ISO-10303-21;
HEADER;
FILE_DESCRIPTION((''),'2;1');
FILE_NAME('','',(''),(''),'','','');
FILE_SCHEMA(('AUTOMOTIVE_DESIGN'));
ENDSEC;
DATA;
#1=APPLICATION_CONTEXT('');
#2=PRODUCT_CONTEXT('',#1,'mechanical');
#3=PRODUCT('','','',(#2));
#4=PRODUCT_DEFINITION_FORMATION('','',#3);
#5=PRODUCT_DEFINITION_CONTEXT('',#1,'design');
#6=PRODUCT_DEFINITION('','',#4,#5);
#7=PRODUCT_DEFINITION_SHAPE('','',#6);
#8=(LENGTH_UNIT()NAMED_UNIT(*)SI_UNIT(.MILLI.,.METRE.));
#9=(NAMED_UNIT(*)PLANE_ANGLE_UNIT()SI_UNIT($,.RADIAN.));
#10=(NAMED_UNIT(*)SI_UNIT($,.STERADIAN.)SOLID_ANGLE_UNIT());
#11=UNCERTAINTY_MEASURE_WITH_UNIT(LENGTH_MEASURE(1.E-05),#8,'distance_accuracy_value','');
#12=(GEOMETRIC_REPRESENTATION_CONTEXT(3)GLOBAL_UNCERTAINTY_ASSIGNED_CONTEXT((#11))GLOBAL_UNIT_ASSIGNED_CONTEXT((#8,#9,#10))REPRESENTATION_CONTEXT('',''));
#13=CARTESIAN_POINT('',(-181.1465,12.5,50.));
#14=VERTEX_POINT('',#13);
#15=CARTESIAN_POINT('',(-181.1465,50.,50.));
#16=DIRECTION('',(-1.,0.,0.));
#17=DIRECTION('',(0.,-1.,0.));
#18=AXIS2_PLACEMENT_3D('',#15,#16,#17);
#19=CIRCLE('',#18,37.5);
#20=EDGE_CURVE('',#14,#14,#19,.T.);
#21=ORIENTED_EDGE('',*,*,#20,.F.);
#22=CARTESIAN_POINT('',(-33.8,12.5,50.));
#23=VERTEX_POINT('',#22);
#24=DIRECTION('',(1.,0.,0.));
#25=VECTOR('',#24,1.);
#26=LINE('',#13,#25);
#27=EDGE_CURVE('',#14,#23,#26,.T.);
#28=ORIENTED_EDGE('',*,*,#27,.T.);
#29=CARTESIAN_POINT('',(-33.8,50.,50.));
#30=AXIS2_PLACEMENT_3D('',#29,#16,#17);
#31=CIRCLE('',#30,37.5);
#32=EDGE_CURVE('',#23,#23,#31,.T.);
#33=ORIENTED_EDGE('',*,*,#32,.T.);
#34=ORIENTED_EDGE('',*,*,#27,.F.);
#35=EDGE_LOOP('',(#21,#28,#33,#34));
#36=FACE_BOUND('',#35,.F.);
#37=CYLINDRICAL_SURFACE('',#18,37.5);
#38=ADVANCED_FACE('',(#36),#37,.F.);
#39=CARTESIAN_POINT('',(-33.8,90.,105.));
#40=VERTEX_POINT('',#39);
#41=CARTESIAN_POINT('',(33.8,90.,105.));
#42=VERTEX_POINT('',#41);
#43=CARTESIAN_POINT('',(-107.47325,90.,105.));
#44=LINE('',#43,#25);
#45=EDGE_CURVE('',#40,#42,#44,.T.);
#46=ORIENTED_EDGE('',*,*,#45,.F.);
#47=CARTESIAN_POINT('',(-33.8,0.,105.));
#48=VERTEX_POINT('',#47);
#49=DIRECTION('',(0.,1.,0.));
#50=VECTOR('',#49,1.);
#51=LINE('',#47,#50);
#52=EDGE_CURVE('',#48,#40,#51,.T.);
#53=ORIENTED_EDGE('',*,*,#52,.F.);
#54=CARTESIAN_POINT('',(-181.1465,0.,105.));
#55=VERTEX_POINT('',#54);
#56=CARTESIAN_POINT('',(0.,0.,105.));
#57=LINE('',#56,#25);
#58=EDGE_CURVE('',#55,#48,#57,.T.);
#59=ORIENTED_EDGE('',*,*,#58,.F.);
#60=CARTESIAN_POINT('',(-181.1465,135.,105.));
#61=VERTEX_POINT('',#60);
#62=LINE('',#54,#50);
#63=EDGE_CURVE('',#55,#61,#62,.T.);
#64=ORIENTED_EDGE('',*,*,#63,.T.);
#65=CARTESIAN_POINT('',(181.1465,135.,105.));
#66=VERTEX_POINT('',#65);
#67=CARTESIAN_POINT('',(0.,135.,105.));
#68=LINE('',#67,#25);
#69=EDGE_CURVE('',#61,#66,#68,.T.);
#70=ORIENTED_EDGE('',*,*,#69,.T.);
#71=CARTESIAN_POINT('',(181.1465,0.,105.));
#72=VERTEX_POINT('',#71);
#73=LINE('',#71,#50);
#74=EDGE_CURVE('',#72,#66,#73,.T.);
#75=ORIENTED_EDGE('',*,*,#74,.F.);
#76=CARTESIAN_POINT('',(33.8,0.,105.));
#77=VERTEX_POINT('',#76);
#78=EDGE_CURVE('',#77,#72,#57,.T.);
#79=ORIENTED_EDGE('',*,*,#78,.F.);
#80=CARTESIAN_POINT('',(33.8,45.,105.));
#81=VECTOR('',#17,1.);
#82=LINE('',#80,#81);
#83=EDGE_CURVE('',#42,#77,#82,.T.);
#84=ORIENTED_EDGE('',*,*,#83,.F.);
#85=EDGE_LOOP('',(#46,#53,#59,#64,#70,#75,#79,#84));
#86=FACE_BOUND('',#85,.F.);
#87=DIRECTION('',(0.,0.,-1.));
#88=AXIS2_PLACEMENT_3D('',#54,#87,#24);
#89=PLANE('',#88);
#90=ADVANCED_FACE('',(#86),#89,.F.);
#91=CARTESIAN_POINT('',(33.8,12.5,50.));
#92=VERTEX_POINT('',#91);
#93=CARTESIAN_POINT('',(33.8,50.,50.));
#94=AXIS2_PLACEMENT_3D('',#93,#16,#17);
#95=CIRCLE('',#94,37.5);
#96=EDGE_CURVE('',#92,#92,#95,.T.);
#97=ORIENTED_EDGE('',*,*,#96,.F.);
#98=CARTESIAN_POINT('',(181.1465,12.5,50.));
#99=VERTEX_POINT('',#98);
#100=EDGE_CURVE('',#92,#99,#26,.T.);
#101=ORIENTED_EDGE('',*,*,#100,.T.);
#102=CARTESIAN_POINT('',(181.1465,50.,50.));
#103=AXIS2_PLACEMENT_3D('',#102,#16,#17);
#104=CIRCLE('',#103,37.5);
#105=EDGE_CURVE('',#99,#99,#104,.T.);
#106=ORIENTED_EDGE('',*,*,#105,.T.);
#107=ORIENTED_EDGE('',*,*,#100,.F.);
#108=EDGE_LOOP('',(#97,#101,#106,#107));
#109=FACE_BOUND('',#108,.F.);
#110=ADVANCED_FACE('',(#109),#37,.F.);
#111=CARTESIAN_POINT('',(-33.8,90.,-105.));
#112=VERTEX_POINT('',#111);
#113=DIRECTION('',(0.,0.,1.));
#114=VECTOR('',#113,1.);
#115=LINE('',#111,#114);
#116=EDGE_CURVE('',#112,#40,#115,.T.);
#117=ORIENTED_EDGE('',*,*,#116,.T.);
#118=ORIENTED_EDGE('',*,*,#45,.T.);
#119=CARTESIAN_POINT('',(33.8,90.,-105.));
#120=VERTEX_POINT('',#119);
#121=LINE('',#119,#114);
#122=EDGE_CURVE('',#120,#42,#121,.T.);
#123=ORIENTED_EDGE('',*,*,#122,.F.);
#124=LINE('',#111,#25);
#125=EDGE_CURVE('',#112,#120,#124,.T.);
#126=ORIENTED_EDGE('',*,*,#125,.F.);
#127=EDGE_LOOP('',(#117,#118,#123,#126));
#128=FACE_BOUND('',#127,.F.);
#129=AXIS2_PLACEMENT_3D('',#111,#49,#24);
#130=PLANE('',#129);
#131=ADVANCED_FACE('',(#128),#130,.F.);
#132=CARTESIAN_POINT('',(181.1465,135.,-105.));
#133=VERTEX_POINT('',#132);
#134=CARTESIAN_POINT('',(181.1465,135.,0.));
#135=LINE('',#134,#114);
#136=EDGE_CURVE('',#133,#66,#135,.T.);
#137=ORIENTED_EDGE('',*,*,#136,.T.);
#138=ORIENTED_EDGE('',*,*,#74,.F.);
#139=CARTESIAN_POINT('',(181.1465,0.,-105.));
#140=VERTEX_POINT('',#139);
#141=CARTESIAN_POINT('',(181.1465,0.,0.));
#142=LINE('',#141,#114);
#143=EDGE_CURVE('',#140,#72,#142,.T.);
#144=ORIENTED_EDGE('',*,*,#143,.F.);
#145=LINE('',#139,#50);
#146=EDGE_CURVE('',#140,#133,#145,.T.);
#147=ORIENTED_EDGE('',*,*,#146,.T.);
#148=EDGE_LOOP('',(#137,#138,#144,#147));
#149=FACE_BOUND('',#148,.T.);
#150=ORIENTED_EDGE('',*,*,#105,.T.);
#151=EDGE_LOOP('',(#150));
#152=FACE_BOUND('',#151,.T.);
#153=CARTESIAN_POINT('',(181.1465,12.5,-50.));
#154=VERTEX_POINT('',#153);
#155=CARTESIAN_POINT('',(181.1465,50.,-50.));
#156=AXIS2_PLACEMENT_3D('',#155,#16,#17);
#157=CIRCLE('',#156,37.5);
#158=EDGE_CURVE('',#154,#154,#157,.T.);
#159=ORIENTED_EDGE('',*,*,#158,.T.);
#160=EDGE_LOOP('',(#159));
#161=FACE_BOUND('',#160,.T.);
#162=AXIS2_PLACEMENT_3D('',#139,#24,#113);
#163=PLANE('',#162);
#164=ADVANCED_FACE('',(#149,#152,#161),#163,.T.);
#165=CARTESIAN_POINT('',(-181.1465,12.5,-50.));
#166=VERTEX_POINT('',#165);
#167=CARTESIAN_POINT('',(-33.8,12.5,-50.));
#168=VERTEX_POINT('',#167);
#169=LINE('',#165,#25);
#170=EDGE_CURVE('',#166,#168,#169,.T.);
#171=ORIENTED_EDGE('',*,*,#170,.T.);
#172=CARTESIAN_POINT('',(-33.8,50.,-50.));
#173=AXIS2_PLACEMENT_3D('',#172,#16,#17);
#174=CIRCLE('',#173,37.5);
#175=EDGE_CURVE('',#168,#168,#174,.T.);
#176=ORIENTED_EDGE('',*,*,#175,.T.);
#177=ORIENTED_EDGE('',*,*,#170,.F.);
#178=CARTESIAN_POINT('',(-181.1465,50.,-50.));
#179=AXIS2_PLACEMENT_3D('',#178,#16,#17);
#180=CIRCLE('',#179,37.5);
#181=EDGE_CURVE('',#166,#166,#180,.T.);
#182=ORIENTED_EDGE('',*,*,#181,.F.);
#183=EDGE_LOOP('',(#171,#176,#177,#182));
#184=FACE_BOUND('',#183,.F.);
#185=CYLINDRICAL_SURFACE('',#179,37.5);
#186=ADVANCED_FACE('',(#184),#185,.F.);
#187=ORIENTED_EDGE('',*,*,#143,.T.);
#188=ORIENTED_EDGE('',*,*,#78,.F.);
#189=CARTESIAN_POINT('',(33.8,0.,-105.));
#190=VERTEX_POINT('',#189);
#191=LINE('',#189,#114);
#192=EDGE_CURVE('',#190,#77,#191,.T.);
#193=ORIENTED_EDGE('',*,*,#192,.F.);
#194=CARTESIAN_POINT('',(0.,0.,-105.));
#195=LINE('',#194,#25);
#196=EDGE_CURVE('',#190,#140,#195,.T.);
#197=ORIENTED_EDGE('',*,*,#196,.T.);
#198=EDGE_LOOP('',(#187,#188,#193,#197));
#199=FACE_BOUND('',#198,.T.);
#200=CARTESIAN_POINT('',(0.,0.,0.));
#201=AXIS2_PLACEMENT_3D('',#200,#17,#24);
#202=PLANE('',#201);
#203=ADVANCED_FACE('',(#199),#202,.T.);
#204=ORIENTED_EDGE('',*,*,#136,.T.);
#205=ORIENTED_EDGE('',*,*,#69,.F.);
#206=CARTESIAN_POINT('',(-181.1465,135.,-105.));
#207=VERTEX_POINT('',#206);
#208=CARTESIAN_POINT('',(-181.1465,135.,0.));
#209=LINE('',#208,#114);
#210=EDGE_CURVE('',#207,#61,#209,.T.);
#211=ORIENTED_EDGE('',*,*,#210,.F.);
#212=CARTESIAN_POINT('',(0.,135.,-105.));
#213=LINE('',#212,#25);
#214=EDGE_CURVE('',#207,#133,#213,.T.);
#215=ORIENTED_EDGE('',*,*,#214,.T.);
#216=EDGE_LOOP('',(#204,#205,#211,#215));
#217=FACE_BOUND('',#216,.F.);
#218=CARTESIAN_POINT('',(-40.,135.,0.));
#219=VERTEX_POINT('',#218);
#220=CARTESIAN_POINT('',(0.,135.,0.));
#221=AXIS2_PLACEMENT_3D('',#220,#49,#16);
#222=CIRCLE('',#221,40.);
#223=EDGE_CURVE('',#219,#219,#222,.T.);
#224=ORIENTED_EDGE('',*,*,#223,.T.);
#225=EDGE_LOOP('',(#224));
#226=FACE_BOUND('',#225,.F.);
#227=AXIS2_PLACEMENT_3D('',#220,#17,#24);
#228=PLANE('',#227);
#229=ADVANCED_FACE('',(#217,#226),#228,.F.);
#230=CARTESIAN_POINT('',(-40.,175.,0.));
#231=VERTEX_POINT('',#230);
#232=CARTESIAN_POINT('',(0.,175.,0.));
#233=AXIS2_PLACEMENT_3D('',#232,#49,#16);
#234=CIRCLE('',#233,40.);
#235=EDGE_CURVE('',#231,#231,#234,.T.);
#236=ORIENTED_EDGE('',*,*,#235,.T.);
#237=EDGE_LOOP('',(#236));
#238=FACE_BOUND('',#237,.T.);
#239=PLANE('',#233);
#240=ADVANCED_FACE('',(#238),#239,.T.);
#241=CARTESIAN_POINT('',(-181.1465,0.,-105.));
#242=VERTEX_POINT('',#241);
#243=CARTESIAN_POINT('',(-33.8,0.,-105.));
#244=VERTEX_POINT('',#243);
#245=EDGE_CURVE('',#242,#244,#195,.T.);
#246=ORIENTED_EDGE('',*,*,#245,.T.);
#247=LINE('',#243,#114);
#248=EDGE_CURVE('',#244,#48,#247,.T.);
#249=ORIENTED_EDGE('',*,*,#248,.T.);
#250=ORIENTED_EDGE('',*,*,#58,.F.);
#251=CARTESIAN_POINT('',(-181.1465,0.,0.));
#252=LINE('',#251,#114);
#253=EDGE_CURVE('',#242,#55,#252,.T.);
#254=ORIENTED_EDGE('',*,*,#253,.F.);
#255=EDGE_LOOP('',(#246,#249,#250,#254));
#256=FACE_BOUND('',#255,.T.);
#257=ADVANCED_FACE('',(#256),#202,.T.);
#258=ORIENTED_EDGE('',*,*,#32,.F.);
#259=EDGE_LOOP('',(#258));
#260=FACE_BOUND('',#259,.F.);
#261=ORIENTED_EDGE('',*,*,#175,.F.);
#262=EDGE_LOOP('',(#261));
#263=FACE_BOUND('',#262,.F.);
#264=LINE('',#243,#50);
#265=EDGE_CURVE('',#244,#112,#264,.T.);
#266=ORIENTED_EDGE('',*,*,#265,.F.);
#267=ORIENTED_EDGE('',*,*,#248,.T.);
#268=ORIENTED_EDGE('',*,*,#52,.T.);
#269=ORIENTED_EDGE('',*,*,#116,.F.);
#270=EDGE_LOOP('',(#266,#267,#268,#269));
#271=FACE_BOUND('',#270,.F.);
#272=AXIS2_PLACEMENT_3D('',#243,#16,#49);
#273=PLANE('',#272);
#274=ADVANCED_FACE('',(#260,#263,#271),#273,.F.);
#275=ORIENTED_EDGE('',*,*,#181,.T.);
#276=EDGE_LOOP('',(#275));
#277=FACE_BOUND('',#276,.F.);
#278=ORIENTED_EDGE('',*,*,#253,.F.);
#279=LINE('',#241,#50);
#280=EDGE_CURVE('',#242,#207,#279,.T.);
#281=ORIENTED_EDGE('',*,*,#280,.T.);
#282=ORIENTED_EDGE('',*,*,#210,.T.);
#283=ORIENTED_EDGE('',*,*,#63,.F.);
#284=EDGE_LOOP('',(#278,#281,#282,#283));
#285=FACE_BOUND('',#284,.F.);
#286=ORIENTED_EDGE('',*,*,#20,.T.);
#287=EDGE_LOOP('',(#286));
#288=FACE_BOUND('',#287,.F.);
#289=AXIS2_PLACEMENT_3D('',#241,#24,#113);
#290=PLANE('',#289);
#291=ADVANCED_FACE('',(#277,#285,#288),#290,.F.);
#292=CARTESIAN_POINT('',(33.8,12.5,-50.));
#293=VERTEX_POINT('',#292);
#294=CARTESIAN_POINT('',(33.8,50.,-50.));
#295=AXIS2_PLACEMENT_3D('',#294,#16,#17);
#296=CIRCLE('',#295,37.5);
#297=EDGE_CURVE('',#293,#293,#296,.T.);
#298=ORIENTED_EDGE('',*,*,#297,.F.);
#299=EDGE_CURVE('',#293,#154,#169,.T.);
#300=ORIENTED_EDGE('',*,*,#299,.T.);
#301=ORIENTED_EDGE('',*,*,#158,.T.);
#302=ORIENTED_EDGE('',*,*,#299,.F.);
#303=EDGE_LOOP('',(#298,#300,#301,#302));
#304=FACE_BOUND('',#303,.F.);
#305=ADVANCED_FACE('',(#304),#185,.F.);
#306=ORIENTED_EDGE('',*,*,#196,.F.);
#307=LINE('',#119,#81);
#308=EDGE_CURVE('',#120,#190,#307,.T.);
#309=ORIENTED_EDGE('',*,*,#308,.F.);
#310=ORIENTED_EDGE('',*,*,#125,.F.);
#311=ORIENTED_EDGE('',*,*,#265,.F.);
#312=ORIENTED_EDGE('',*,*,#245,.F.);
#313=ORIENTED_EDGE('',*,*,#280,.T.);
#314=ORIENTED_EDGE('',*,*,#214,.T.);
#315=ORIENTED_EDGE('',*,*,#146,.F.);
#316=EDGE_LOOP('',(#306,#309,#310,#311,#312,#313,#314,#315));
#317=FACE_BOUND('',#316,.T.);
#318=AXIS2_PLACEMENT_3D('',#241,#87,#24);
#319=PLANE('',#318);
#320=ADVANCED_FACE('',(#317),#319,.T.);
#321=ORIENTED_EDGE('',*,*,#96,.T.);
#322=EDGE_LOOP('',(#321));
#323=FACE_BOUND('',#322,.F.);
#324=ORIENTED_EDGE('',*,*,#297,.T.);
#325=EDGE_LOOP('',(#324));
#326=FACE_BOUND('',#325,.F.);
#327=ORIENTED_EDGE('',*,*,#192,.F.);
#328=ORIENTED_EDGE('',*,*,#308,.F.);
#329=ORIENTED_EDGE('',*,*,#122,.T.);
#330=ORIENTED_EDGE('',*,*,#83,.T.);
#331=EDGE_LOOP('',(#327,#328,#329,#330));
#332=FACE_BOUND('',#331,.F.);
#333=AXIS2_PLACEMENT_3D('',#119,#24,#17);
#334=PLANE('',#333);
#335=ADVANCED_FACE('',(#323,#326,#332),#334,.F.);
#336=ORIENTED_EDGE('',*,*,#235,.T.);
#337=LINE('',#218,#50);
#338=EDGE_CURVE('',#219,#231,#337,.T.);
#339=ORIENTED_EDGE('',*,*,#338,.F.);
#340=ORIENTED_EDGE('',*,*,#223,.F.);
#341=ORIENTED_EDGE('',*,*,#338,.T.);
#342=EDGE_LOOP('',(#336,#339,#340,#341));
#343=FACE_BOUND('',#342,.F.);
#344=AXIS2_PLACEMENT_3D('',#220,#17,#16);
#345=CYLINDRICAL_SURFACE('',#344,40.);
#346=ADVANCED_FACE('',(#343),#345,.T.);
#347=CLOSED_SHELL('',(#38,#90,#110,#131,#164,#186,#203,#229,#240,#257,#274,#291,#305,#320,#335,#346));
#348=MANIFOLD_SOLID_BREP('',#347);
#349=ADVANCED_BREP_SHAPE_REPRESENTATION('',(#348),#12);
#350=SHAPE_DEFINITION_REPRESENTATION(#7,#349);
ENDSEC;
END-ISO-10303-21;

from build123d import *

# Parameters (mm, degrees)
F0_W     = 362.293
F0_H     = 210
F1_DEPTH = 135
F2_R     = 40
F3_DEPTH = 40
F5_DEPTH = 210.001
F6_R     = 37.5
F7_DEPTH = 362.294


with BuildPart() as f1:
    # F0 (on Front) → F1 (new body)
    with BuildSketch(Plane.XZ):
        Rectangle(F0_W, F0_H)
    extrude(amount=-F1_DEPTH)

    # F2 (on face) → F3 (join)
    with BuildSketch(Plane(origin=(0, 135, 0), x_dir=(-1, 0, 0), z_dir=(0, 1, 0))):
        Circle(F2_R)
    extrude(amount=F3_DEPTH)

    # F4 (on face) → F5 (cut, through all)
    with BuildSketch(Plane(origin=(0, 0, -105), x_dir=(1, 0, 0), z_dir=(0, 0, -1))):
        Polygon((0, 0), (-33.8, 0), (-33.8, -90), (33.8, -90), (33.8, 0), align=None)
    extrude(amount=-F5_DEPTH, mode=Mode.SUBTRACT)

    # F6 (on face) → F7 (cut, through all)
    with BuildSketch(Plane(origin=(-181.1465, 0, 0), x_dir=(0, -1, 0), z_dir=(-1, 0, 0))):
        with Locations((-50, 50)):
            Circle(F6_R)
        with Locations((-50, -50)):
            Circle(F6_R)
    extrude(amount=-F7_DEPTH, mode=Mode.SUBTRACT)


solid = f1.part
